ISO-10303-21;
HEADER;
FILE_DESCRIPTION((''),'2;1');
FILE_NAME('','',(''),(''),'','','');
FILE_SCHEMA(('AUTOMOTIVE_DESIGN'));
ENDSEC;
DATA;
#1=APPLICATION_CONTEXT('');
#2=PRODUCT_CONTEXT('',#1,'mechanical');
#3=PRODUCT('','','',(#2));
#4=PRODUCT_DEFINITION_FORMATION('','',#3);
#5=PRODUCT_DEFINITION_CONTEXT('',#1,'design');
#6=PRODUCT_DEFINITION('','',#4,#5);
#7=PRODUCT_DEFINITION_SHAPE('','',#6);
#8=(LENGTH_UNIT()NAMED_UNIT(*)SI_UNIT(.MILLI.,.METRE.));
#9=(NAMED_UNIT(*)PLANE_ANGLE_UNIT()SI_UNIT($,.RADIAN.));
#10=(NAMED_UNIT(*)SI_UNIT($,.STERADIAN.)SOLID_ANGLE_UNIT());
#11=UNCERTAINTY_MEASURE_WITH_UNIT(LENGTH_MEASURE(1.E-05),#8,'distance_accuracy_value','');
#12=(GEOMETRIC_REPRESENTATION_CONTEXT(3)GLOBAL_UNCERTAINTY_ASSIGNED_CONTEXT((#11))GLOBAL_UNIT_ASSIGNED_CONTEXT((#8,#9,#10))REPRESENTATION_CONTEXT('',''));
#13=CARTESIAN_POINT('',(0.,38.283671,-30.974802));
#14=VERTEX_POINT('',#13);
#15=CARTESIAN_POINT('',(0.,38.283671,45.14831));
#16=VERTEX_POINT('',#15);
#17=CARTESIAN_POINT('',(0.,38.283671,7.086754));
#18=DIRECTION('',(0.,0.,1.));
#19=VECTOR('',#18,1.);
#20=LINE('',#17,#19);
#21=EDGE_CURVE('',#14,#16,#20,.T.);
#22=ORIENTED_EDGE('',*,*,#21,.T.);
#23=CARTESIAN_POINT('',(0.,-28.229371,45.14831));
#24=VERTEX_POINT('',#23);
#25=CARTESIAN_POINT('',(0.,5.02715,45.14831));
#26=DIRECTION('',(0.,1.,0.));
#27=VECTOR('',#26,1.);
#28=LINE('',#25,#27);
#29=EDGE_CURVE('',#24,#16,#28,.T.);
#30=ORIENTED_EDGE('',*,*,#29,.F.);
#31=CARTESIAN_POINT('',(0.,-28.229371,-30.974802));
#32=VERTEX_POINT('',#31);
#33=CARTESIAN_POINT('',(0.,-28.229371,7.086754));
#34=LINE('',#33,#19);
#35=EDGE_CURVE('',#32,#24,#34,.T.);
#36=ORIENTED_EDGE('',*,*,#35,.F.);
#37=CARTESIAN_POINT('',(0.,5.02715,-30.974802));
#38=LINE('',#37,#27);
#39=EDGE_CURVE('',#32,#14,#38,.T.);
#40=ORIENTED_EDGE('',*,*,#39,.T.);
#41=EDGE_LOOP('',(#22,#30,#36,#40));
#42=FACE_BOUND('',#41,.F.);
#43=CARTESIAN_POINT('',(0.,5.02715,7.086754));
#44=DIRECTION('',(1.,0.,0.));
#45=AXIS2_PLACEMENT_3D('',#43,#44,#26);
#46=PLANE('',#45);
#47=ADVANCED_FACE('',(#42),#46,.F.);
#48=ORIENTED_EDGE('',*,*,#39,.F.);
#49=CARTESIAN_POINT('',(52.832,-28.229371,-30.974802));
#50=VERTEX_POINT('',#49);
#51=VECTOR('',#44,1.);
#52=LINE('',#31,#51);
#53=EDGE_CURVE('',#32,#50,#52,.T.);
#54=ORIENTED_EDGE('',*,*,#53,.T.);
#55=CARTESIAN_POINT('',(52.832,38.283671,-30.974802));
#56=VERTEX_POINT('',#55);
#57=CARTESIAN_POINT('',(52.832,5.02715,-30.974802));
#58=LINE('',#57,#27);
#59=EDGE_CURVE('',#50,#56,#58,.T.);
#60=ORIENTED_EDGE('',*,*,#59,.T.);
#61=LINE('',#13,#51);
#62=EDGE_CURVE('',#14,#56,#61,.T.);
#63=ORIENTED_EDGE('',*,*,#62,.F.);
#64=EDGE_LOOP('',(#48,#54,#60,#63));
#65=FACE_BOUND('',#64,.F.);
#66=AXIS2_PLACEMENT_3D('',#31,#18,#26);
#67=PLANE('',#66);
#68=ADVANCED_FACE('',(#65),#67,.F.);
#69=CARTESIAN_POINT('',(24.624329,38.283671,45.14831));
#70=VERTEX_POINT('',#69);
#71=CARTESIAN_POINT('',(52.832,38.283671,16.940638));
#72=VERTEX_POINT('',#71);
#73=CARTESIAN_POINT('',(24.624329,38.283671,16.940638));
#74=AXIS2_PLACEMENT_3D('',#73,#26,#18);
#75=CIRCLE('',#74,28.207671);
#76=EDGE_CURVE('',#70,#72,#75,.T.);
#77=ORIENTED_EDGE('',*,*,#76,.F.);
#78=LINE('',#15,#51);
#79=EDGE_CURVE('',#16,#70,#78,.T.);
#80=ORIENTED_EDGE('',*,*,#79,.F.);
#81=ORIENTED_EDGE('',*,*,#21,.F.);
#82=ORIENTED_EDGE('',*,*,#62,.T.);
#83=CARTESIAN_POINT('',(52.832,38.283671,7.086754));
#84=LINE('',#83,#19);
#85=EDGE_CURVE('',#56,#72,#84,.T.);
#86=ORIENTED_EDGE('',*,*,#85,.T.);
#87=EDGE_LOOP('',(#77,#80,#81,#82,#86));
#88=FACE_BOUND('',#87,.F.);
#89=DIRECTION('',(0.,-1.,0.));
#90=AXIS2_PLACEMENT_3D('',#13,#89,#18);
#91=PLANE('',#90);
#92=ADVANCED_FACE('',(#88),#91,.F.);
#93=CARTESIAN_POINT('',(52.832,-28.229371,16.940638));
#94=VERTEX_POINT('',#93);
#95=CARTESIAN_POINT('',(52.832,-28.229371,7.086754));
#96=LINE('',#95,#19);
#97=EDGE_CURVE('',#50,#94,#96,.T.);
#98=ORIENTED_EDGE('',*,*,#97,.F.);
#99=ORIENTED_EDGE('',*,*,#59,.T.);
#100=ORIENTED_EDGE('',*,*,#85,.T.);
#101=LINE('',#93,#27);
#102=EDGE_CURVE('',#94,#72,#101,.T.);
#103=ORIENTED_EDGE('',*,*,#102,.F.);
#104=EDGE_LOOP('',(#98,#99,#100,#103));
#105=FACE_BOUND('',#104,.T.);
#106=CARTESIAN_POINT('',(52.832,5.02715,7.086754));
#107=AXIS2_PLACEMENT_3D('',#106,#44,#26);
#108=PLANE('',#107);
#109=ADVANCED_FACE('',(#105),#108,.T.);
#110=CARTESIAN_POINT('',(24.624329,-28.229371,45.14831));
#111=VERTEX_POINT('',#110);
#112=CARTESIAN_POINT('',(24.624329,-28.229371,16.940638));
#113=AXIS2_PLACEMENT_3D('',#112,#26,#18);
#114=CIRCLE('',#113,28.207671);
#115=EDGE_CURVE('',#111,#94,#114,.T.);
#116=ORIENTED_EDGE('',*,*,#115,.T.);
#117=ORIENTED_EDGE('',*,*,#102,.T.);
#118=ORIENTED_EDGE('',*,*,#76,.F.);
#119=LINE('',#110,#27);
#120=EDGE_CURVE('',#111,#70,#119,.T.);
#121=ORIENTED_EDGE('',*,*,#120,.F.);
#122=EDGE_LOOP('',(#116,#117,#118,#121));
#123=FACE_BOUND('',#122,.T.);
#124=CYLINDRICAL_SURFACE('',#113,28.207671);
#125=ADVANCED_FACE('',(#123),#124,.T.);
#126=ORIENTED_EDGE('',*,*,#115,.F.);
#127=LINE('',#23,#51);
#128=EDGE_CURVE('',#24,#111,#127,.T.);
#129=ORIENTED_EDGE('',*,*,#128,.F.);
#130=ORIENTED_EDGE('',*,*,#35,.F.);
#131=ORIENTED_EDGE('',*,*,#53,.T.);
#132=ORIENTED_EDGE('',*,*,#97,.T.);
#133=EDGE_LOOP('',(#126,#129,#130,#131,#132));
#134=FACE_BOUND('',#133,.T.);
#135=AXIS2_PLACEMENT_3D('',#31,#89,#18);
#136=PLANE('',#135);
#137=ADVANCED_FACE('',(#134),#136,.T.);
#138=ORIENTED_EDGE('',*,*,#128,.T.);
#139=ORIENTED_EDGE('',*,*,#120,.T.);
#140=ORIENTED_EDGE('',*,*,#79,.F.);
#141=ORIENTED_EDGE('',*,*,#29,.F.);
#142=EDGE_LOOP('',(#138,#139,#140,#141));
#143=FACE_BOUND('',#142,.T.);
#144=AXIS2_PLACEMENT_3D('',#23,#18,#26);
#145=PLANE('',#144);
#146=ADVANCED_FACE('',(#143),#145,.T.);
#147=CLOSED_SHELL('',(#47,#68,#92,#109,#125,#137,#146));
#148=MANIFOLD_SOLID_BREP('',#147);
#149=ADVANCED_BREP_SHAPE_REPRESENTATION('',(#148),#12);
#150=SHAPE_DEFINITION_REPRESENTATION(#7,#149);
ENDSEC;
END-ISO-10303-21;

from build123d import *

# Parameters (mm, degrees)
F0_W     = 66.513043
F0_H     = 76.123111
F1_DEPTH = 52.832
F2_R     = 28.207671


with BuildPart() as f1:
    # F0 (on Right) → F1 (new body)
    with BuildSketch(Plane.YZ):
        with Locations((5.02715, 7.086754)):
            Rectangle(F0_W, F0_H)
    extrude(amount=F1_DEPTH)

    # F2
    f2_edges = [f1.edges().sort_by_distance(p)[0] for p in [
        (52.832, 5.027151, 45.148309),
    ]]
    fillet(f2_edges, radius=F2_R)


solid = f1.part
